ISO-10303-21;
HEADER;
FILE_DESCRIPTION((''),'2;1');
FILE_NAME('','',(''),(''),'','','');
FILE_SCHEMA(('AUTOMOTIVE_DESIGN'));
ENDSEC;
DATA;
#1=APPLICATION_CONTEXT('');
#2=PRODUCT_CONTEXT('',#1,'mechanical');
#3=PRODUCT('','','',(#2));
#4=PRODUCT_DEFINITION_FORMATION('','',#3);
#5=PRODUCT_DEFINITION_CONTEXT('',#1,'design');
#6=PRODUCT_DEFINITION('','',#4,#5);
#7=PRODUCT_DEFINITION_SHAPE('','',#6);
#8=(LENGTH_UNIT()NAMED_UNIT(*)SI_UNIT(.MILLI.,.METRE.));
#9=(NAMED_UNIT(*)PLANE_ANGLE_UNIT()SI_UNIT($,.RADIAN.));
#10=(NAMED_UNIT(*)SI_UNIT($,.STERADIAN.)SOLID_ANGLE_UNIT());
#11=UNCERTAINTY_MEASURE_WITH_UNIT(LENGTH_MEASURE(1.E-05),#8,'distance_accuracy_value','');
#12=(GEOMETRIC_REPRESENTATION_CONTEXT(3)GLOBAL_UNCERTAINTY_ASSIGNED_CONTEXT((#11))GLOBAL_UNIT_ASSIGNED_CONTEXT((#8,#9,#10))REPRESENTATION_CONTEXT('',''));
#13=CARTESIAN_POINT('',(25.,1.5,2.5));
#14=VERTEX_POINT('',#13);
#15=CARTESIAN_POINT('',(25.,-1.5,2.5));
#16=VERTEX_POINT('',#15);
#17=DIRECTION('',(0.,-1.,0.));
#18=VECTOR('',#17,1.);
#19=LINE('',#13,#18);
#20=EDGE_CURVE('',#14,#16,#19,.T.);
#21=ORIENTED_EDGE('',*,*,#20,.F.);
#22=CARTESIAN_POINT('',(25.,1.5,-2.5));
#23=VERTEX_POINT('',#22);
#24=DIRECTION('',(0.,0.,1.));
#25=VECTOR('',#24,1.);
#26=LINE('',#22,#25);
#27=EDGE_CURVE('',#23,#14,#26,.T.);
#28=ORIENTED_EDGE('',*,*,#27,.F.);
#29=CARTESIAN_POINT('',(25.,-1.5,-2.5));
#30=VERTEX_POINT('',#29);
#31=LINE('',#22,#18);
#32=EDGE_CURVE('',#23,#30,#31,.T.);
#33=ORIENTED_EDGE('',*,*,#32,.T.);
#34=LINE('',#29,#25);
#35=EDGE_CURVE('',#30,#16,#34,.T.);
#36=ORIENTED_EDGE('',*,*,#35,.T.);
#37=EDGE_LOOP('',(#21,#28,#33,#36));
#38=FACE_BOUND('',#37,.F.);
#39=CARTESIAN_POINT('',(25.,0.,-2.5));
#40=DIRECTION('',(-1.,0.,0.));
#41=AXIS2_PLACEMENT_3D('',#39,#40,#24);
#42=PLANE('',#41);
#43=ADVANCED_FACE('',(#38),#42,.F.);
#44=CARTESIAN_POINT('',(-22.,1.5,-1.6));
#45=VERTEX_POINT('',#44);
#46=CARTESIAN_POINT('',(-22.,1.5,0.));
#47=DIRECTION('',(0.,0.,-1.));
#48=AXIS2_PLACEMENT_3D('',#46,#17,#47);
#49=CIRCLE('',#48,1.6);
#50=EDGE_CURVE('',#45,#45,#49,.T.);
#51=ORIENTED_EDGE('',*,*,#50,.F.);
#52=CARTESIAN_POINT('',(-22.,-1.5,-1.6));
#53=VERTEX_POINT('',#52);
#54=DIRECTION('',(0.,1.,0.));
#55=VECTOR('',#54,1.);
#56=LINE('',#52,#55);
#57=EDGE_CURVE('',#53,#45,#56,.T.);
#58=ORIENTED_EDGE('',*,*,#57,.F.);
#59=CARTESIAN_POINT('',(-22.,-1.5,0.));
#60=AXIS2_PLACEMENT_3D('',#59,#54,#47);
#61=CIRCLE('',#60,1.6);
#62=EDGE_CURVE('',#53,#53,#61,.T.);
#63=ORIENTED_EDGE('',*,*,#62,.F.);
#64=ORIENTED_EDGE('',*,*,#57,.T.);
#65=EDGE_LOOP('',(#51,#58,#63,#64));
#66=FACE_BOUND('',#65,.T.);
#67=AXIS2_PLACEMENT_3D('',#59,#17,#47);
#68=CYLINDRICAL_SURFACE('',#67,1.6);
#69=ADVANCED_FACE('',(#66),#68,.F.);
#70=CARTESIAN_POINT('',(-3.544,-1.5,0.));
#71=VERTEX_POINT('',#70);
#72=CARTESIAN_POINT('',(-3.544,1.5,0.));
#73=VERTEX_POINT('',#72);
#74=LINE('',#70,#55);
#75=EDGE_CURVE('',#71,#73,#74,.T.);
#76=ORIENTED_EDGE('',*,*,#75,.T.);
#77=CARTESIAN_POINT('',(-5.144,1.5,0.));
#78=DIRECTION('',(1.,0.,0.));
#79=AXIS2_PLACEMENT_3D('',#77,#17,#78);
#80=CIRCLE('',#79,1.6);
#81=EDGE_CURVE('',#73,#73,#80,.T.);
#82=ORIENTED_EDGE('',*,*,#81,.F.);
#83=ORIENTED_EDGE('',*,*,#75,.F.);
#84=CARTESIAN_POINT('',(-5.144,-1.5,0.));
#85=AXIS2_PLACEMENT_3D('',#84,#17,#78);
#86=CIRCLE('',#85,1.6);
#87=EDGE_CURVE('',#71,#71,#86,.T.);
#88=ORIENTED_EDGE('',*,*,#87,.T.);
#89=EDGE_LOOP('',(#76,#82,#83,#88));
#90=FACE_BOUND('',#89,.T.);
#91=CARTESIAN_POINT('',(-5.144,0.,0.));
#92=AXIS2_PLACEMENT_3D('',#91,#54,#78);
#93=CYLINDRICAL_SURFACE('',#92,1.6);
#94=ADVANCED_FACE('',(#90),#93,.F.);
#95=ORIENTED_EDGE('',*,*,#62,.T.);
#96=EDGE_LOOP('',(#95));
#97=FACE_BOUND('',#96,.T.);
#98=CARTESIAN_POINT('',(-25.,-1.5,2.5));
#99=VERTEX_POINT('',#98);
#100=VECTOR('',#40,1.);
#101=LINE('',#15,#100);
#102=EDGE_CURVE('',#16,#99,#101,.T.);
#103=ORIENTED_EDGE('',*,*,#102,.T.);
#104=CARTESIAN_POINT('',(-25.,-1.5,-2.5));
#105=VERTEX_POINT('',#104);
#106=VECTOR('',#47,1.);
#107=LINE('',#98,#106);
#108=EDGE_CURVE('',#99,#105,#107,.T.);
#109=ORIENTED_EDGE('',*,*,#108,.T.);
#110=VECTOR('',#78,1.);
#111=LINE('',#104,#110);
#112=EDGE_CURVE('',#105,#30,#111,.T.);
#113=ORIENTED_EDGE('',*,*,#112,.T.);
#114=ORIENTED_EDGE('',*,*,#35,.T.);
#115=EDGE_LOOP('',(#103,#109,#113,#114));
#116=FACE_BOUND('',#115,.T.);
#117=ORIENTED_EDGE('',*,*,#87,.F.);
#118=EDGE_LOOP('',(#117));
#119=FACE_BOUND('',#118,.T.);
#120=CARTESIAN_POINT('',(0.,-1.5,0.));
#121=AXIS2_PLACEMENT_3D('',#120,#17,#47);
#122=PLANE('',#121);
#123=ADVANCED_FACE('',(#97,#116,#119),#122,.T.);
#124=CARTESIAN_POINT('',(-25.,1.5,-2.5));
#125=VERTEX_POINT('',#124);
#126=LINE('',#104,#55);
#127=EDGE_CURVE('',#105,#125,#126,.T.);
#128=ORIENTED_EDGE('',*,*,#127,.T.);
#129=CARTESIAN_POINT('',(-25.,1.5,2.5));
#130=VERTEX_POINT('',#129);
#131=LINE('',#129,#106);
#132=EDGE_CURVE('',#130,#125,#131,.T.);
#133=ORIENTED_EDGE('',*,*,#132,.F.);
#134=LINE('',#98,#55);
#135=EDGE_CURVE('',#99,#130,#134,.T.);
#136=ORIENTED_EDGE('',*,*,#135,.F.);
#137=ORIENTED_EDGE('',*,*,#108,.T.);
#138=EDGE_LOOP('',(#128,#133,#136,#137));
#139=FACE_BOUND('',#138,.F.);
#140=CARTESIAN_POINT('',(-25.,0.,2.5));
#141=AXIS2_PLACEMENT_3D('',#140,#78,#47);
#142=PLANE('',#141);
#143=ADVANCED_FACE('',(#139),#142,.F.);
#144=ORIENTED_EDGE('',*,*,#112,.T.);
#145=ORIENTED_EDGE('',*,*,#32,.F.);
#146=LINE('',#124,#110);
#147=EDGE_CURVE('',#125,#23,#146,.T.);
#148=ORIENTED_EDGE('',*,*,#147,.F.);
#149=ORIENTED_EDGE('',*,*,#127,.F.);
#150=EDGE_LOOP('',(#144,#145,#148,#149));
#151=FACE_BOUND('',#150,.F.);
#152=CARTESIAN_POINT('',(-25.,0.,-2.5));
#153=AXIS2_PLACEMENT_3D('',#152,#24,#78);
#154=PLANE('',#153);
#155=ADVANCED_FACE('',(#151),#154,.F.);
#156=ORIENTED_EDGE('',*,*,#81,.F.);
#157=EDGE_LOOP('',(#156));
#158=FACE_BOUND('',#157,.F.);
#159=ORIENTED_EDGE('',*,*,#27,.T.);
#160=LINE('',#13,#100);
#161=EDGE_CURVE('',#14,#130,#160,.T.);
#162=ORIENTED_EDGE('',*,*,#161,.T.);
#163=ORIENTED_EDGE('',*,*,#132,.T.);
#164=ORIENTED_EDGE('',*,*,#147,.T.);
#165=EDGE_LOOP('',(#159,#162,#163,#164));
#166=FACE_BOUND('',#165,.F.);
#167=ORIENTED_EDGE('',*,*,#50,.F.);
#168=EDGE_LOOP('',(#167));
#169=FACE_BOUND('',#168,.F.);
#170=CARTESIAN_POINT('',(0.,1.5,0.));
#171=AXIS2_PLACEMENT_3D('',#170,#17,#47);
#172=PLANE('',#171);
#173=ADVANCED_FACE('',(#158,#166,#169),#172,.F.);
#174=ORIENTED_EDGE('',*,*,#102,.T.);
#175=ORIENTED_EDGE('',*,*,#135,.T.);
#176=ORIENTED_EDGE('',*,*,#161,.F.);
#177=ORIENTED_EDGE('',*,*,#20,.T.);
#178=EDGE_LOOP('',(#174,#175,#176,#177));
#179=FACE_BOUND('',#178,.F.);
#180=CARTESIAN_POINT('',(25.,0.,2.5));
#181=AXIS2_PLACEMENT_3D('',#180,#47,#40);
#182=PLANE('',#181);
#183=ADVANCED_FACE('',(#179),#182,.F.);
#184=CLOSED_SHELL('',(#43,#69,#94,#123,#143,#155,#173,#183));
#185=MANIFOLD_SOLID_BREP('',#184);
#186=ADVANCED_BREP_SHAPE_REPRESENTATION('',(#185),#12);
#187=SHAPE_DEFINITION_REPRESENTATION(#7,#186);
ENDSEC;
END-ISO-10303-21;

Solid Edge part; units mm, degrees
sketch "Sketch1" plane through (0, 0, 0) normal (0, -1, 0) x (1, 0, 0)
  line L0 (-25, -2.5) -> (25, -2.5)
  line L1 (25, -2.5) -> (25, 2.5)
  line L2 (25, 2.5) -> (-25, 2.5)
  line L3 (-25, 2.5) -> (-25, -2.5)
  circle A0 centre (-5.144, 0) radius 1.6
  dimension "D1" = 30.144
  dimension "D2" = 50
  dimension "D3" = 5
  dimension "D4" = 25
extrude "Protrusion1" add sketch "Sketch1" along normal mid plane 3
hole "Hole_3" at (-22, -1.5, 0) direction (0, 1, 0) diameter 3.2 end up to next
